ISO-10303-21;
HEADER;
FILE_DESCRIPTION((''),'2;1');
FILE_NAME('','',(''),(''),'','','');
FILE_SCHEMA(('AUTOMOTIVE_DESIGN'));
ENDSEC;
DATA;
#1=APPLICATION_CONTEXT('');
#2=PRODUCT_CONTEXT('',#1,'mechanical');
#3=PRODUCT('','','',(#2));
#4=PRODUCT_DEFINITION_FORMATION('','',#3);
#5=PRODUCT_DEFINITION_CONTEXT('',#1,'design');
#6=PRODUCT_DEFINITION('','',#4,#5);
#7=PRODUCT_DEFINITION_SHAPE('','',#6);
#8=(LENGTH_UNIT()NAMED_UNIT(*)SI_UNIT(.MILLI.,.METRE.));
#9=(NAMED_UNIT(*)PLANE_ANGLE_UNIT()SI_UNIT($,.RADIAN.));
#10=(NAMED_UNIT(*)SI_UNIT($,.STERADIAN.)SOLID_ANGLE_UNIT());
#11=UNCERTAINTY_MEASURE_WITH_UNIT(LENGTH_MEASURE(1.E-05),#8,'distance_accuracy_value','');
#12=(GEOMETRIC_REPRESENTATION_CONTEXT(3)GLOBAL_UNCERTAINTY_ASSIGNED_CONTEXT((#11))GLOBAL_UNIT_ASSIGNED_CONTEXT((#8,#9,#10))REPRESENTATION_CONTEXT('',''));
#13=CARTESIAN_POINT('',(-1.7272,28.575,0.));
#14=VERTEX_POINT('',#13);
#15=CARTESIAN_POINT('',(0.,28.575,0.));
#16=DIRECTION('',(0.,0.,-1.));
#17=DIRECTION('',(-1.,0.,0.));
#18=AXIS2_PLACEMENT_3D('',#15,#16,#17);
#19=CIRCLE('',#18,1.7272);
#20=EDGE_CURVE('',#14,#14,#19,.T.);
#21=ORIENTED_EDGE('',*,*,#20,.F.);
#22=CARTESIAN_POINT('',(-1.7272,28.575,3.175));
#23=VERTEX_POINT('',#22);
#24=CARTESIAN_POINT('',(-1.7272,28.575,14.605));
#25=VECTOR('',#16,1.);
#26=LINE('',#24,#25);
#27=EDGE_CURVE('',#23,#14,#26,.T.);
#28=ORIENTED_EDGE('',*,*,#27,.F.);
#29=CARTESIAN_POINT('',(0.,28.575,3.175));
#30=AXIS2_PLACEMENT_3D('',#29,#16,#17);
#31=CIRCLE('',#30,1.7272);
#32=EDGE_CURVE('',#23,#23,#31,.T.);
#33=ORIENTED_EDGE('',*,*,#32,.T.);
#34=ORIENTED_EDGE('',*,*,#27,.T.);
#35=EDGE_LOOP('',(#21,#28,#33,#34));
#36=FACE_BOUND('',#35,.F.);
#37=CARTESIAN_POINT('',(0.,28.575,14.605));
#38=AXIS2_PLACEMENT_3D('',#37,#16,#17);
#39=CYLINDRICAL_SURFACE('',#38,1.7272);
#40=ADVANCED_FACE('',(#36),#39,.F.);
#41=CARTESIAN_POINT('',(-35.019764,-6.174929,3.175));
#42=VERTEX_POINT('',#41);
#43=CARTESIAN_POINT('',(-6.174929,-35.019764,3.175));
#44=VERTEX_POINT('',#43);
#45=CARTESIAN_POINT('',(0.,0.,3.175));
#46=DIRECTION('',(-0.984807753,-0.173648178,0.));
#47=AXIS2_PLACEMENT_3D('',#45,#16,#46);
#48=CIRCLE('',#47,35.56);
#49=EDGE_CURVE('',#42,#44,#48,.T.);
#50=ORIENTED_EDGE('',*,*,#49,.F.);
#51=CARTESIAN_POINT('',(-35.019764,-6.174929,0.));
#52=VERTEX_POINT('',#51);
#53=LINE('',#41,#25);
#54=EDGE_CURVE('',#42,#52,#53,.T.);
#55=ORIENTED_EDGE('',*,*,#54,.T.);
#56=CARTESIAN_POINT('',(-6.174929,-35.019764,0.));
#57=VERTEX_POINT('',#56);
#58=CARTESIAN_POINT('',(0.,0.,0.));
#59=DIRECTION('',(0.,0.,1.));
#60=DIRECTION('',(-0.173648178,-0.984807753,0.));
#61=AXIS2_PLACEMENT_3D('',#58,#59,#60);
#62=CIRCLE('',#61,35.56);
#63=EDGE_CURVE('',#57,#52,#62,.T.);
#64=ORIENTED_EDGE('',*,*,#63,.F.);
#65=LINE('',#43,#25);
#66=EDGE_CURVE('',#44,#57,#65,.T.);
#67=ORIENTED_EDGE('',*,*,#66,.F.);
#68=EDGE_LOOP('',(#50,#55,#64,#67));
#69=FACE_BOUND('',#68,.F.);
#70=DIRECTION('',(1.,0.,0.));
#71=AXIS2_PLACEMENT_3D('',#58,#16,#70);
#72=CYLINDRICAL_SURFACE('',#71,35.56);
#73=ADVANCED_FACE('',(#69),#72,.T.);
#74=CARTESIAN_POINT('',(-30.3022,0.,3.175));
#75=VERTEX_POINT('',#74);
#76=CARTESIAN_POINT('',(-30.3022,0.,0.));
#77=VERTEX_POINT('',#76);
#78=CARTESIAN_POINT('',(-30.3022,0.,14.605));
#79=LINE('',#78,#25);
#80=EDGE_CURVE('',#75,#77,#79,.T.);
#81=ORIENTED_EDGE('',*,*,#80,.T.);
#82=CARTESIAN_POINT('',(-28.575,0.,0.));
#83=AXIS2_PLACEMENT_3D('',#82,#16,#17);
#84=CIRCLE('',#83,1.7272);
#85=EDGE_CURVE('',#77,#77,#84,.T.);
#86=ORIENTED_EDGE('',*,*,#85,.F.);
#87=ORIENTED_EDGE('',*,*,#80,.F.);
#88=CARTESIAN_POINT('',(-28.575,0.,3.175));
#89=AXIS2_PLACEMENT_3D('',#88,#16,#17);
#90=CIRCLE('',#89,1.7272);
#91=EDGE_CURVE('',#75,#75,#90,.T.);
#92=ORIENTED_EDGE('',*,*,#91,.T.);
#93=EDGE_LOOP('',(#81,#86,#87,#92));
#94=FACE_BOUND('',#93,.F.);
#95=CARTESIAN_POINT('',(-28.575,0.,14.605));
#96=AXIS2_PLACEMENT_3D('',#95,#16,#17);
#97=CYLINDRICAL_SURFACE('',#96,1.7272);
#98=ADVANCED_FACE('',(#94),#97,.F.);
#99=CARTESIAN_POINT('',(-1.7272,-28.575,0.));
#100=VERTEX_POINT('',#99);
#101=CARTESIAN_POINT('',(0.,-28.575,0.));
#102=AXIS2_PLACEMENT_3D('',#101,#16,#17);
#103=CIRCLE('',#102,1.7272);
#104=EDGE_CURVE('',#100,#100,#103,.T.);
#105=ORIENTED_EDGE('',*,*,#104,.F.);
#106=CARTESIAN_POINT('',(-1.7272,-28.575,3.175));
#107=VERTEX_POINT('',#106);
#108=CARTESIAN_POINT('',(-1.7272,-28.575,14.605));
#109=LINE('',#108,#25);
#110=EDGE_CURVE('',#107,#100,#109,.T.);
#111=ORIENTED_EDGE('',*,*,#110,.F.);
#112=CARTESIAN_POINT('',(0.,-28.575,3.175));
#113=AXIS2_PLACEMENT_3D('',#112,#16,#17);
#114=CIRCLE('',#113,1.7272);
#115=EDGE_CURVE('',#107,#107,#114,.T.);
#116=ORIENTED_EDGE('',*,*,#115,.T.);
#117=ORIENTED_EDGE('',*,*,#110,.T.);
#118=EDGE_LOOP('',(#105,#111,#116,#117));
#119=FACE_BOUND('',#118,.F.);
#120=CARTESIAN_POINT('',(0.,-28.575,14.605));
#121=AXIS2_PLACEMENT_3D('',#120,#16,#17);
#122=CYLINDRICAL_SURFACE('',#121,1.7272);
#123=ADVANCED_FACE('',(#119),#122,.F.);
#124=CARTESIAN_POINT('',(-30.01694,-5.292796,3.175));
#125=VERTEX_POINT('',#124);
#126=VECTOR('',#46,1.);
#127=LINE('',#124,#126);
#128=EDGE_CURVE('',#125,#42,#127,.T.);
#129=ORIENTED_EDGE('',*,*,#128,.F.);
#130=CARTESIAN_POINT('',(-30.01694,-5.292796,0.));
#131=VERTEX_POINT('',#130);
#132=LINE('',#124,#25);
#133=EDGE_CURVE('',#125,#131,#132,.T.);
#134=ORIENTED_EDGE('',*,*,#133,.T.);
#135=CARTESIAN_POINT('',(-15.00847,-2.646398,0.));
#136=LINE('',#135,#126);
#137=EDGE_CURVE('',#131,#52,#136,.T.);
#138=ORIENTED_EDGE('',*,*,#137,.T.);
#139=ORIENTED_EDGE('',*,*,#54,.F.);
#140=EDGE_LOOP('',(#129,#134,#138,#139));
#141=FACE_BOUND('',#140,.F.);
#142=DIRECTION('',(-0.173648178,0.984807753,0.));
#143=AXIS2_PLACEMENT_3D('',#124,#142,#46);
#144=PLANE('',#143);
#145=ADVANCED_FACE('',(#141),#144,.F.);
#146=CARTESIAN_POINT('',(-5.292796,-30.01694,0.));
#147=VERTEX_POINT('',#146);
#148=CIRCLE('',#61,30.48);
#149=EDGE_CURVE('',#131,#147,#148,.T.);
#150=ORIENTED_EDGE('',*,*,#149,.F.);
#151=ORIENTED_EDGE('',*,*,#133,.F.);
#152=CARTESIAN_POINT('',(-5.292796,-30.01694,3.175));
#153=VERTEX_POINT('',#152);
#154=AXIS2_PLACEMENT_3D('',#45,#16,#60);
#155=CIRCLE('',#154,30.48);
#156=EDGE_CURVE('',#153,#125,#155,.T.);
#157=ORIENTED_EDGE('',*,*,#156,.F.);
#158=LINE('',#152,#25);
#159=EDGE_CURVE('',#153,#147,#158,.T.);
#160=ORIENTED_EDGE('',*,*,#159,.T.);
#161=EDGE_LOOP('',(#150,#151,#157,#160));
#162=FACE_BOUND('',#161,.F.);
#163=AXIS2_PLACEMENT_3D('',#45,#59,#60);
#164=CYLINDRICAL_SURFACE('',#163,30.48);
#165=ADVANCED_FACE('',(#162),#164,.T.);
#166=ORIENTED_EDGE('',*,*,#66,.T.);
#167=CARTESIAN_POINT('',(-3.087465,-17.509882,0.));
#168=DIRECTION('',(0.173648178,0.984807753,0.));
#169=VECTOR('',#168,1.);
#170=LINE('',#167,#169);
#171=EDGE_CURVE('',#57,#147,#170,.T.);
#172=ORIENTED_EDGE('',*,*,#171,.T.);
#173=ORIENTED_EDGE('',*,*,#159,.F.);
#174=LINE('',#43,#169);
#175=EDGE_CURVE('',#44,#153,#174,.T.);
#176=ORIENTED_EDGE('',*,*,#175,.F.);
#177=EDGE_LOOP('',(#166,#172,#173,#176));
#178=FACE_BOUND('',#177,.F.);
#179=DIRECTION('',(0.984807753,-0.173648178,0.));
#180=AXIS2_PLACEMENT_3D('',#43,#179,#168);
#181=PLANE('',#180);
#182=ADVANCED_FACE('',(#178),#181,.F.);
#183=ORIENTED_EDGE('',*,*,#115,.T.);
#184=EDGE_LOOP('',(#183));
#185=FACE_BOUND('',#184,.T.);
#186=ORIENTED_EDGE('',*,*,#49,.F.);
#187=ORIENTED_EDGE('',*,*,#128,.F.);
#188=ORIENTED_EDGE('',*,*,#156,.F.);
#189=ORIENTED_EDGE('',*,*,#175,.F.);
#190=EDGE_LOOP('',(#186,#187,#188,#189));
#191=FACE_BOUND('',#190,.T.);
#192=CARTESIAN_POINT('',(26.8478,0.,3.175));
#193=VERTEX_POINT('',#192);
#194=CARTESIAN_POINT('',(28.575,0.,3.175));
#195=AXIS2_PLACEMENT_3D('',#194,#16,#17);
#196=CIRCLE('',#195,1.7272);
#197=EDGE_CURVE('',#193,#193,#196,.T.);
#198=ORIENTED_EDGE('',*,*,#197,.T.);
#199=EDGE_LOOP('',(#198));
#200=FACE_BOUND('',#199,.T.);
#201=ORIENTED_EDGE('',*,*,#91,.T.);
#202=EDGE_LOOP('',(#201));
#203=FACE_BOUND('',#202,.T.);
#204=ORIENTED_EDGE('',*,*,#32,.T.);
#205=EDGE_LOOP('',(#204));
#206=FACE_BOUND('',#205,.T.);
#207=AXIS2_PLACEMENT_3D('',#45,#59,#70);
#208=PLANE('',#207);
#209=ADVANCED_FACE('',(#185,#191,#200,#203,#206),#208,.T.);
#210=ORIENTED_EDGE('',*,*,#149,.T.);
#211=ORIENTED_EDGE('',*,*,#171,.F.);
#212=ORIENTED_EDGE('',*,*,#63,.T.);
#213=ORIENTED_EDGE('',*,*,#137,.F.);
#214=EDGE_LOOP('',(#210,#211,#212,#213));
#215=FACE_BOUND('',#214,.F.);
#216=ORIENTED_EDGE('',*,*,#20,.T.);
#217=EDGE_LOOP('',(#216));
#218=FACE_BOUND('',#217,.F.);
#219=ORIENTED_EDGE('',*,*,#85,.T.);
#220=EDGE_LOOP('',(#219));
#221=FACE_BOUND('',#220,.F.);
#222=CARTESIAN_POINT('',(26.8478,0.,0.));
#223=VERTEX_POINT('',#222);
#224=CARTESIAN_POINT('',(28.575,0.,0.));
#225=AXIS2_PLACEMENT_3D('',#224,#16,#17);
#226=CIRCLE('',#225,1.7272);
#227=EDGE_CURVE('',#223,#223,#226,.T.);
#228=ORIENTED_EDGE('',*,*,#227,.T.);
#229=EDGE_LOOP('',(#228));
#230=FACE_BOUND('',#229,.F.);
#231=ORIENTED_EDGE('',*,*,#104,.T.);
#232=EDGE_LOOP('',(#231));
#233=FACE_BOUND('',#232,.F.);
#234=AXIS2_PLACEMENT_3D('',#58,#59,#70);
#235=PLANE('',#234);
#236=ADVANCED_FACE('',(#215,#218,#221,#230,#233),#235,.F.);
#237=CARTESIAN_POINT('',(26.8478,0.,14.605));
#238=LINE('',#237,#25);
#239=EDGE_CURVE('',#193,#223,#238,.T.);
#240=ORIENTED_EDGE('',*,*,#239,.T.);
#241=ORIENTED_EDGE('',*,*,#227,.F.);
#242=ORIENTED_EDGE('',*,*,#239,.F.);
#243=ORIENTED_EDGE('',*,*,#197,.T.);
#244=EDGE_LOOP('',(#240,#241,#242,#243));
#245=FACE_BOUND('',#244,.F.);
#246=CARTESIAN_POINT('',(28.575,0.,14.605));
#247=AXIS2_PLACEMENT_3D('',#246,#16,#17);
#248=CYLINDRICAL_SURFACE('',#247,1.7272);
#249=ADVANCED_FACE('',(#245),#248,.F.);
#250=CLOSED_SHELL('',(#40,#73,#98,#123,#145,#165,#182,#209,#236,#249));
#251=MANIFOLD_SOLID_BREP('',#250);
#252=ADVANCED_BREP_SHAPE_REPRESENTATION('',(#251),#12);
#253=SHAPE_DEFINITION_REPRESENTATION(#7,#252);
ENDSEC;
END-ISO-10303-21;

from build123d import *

# Parameters (mm, degrees)
F0_R     = 35.56
F1_DEPTH = 3.175
F3_D     = 3.4544
F3_DEPTH = 11.43
F3_TIP   = 1.0378064612
F5_DEPTH = 3.176


with BuildPart() as f1:
    # F0 (on Top) → F1 (new body)
    with BuildSketch(Plane.XY):
        Circle(F0_R)
    extrude(amount=F1_DEPTH)

    # F3
    with Locations(Plane.XY.offset(3.175)):
        with Locations((-28.575, 0), (0, 28.575), (28.575, 0), (0, -28.575)):
            Hole(F3_D / 2, depth=F3_DEPTH)
            with Locations((0, 0, -(F3_DEPTH + F3_TIP / 2))):  # 118° drill point
                Cone(0, F3_D / 2, F3_TIP, mode=Mode.SUBTRACT)

    # F4 (on face) → F5 (cut, through all)
    with BuildSketch(Plane.XY.offset(3.175)):
        with BuildLine():
            ThreePointArc((-5.2927964553, -30.0169403118), (-21.5526146906, -21.5526146906), (-30.0169403118, -5.2927964553))
            Line((-30.0169403118, -5.2927964553), (-35.0197636971, -6.1749291978))
            ThreePointArc((-35.0197636971, -6.1749291978), (-25.144717139, -25.144717139), (-6.1749291978, -35.0197636971))
            Line((-6.1749291978, -35.0197636971), (-5.2927964553, -30.0169403118))
        make_face()
    extrude(amount=-F5_DEPTH, mode=Mode.SUBTRACT)


solid = f1.part
